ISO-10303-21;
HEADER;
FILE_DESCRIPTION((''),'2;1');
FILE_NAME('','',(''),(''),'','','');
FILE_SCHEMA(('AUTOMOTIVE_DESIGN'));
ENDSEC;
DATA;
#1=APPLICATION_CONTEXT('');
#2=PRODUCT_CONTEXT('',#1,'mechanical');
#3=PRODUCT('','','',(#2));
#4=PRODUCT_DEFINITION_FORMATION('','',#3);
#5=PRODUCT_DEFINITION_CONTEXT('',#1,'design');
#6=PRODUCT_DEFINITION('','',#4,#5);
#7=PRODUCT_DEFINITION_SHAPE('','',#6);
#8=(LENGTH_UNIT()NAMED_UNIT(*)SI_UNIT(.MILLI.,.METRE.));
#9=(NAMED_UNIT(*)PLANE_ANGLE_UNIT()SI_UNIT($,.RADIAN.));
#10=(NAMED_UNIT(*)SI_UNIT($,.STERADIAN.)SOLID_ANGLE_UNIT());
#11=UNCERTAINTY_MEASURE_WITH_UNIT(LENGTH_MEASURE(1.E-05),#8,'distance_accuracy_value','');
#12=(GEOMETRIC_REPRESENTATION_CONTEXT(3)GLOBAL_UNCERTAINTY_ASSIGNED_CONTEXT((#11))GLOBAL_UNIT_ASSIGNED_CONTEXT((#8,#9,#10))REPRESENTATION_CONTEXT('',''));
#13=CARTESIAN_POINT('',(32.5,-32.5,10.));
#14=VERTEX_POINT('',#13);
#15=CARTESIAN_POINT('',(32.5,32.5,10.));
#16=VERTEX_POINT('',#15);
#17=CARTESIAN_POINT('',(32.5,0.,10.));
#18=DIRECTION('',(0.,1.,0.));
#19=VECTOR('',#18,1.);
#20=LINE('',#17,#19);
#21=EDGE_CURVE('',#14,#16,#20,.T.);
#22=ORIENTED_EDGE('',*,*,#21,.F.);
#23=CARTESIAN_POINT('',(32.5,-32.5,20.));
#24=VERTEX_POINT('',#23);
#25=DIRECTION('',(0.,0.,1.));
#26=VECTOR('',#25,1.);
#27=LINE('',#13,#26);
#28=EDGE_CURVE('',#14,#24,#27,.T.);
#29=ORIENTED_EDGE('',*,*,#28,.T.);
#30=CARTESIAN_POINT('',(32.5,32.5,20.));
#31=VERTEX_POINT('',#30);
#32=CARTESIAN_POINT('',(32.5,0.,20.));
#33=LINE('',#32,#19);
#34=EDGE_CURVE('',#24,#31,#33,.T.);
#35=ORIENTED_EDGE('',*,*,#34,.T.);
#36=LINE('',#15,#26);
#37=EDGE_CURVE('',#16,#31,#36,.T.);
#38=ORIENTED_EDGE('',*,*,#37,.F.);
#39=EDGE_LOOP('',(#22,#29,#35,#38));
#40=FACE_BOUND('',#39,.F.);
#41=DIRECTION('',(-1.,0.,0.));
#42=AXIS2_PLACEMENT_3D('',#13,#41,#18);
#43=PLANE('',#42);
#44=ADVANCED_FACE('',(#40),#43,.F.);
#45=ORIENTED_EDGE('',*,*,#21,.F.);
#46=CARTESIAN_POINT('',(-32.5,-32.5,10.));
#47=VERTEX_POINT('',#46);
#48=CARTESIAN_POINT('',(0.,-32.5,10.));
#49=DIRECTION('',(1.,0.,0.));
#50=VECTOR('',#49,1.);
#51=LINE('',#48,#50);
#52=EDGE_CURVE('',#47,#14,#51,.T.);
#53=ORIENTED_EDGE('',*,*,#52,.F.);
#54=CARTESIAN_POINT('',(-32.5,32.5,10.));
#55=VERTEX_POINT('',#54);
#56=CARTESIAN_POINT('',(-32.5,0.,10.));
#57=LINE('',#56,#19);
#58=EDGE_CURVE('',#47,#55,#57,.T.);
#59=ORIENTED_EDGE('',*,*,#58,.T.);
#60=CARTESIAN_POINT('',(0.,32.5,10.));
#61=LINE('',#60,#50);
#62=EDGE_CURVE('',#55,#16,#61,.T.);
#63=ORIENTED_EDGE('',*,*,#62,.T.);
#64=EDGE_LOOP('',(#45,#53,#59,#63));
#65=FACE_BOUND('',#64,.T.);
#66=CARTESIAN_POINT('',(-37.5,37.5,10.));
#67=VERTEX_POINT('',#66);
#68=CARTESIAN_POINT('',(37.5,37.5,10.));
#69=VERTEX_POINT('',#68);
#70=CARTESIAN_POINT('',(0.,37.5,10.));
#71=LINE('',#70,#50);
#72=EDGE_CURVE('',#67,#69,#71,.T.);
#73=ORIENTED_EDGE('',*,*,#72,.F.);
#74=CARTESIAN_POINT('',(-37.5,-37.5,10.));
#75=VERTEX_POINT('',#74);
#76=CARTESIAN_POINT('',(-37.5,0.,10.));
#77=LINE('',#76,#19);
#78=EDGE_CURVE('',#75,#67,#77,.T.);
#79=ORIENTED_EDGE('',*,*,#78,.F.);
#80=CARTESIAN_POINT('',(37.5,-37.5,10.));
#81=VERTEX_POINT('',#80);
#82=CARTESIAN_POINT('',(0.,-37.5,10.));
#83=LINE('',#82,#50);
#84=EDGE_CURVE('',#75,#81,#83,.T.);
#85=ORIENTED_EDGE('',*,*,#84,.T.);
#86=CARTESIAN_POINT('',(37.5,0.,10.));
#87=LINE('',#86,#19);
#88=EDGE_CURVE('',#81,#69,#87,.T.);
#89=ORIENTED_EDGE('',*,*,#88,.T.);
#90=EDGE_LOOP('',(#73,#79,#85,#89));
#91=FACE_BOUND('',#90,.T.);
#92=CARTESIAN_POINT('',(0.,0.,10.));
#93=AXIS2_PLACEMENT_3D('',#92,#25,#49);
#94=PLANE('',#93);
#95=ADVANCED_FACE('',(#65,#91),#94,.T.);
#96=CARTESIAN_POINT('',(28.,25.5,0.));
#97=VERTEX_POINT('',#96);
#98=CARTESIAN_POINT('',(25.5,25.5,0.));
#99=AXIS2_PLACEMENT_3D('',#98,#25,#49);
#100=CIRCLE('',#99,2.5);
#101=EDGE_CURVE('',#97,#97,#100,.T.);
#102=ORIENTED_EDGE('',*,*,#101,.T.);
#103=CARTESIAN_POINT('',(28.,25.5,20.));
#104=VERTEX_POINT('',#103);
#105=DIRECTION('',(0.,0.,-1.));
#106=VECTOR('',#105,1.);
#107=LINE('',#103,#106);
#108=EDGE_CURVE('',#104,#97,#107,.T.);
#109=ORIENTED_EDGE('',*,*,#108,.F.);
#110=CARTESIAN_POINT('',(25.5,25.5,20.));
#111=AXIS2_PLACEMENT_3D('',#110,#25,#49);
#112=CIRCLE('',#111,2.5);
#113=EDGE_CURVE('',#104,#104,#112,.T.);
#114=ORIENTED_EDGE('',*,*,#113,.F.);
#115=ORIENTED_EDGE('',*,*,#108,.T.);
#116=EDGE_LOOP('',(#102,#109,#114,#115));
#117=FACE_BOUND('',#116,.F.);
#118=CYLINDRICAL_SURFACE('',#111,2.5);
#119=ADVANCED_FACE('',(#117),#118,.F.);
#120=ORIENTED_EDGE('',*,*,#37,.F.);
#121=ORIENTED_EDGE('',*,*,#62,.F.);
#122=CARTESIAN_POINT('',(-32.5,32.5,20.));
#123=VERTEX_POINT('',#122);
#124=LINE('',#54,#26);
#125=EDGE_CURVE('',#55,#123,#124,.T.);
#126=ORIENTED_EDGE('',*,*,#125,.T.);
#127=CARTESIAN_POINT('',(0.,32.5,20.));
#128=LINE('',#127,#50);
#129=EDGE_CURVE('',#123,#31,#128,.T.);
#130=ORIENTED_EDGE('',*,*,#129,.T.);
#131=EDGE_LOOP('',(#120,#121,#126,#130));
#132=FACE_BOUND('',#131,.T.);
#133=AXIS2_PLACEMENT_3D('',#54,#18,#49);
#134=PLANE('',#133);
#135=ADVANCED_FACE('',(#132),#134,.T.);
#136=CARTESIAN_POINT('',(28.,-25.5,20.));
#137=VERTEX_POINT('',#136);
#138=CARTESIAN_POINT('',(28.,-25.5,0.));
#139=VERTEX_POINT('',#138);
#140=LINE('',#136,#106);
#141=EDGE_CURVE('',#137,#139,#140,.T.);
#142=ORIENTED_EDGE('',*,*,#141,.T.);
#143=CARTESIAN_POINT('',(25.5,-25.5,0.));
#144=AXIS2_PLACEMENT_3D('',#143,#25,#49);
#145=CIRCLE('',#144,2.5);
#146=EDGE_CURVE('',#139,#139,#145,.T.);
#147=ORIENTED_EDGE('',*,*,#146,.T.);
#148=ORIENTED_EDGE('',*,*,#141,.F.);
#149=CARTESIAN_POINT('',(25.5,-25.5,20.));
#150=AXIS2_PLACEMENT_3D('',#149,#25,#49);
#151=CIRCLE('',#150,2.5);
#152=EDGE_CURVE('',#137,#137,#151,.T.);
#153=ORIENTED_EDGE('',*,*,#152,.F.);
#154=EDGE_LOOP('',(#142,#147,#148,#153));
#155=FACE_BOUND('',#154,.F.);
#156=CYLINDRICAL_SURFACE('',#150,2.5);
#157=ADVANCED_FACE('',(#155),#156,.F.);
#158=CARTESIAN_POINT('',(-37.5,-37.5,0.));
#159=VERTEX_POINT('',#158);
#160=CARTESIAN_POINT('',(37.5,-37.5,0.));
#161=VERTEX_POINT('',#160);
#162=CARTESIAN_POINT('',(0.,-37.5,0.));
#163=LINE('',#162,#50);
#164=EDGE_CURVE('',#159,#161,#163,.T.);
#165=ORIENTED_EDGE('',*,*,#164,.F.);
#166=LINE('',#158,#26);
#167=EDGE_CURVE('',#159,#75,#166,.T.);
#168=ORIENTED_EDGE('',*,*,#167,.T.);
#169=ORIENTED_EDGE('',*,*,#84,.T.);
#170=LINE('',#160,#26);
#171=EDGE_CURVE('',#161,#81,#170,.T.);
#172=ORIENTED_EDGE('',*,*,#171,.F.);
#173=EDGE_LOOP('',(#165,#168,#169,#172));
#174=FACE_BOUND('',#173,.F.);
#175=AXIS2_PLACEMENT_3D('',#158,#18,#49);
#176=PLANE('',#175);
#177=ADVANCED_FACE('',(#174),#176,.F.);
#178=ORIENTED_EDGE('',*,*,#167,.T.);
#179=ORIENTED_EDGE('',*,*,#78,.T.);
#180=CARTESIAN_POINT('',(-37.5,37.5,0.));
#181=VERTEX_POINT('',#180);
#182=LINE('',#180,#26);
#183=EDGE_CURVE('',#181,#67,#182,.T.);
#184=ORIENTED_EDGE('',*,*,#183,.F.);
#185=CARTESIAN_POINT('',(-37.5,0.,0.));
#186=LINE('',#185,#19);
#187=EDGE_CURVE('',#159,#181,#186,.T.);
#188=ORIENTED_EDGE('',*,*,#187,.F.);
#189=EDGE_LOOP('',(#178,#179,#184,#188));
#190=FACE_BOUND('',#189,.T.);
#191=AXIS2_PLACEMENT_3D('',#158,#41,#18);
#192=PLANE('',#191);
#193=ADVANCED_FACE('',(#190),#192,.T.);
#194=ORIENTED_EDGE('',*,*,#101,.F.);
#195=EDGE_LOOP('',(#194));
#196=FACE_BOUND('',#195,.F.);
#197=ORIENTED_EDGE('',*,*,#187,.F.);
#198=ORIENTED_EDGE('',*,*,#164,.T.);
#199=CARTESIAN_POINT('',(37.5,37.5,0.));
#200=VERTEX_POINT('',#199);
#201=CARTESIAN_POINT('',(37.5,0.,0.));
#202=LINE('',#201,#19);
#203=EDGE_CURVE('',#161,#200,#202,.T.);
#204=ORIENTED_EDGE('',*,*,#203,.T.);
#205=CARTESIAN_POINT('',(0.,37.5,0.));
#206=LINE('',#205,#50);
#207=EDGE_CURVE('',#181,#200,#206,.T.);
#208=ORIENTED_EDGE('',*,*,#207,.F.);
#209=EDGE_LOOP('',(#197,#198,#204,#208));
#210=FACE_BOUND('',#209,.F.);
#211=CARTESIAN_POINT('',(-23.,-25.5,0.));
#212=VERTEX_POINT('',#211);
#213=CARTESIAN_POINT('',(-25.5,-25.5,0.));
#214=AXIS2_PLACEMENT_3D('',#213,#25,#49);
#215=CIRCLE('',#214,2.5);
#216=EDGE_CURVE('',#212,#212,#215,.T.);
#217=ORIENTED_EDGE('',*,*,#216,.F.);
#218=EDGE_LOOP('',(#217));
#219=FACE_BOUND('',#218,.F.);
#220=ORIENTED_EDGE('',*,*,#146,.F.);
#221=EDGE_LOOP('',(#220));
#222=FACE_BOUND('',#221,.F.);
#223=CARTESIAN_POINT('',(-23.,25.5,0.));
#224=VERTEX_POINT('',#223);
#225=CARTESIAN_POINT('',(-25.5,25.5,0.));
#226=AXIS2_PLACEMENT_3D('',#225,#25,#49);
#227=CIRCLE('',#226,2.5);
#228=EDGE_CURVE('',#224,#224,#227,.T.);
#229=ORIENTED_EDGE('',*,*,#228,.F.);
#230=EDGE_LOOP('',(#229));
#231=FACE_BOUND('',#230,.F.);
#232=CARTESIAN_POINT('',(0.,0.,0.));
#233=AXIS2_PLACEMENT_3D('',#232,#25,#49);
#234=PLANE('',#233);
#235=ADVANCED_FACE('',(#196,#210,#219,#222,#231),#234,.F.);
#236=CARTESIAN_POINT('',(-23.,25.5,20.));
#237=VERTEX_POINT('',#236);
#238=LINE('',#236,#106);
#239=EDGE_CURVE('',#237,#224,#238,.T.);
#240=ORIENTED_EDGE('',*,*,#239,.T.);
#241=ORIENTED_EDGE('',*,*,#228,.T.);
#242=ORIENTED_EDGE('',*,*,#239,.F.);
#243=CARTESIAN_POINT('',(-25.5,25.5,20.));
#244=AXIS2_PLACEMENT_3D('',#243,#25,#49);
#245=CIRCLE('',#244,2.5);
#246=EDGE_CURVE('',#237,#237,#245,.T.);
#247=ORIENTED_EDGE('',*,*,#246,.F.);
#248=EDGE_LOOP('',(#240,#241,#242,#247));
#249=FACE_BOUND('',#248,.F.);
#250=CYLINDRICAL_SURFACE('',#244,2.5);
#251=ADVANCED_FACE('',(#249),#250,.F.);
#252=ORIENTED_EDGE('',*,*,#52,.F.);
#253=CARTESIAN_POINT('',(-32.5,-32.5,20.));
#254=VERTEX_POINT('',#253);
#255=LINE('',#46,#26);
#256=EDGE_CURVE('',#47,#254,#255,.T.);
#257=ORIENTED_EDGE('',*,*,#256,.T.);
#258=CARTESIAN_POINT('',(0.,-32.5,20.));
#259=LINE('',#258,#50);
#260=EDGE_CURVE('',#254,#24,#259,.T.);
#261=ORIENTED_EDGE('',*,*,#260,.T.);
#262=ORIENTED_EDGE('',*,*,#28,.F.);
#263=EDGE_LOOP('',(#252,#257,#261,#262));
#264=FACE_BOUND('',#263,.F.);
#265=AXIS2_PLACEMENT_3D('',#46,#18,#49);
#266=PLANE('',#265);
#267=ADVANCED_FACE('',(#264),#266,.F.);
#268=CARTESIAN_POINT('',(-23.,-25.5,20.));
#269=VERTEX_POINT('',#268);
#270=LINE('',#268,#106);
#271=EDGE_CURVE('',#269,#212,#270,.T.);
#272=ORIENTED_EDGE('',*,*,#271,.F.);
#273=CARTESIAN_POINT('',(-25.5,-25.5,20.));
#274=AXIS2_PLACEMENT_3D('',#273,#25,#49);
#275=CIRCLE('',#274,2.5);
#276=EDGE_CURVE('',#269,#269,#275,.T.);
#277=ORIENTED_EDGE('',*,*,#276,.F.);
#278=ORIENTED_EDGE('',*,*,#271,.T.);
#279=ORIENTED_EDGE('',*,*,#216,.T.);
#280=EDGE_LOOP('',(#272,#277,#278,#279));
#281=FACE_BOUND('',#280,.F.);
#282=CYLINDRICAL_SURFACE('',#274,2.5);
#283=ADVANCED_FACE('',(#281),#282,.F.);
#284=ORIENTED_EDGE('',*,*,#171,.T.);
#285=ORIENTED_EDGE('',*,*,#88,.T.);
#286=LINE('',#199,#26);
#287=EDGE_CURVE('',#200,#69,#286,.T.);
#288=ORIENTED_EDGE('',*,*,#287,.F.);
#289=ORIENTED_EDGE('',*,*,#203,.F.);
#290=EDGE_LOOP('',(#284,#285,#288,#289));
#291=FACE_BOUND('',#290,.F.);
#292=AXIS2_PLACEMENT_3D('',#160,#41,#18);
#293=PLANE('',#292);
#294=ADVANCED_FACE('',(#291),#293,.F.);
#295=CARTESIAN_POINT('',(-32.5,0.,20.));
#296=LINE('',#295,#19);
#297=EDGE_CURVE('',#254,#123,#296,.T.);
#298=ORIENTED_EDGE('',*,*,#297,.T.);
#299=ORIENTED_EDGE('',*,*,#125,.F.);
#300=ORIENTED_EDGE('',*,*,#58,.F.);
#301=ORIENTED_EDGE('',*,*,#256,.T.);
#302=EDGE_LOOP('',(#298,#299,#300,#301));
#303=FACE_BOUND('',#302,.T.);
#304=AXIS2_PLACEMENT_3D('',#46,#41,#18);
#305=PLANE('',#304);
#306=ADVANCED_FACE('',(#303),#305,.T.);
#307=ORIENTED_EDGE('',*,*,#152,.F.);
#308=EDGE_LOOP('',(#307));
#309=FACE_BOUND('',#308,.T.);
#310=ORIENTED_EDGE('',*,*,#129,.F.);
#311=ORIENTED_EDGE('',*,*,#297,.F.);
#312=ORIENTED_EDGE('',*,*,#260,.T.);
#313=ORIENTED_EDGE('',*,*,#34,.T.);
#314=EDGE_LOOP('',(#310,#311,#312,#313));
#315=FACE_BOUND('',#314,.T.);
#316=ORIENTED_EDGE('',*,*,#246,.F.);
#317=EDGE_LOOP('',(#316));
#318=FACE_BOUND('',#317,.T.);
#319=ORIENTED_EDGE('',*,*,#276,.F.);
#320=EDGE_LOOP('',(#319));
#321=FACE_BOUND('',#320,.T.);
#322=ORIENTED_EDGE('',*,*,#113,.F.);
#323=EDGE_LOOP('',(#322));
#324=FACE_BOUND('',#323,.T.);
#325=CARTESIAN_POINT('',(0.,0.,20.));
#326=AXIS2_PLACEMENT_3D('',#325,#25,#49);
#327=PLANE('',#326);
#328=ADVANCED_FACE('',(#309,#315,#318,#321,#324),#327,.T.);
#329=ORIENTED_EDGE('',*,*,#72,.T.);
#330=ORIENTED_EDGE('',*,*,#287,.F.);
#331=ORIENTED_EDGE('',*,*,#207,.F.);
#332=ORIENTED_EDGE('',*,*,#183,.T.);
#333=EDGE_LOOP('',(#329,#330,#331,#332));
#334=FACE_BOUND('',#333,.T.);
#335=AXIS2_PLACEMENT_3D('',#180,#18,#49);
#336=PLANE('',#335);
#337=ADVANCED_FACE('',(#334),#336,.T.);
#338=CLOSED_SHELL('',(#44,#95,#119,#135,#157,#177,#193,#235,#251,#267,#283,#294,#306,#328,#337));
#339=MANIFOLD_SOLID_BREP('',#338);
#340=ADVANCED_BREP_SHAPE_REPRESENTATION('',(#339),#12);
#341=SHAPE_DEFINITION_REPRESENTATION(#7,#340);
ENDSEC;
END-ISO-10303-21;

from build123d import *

# Parameters (mm, degrees)
F0_W     = 75
F0_H     = 75
F1_DEPTH = 10
F2_W     = 65
F2_H     = 65
F3_DEPTH = 10
F4_R     = 2.5
F5_DEPTH = 20.001


with BuildPart() as f1:
    # F0 (on Top) → F1 (new body)
    with BuildSketch(Plane.XY):
        Rectangle(F0_W, F0_H)
    extrude(amount=F1_DEPTH)

    # F2 (on face) → F3 (join)
    with BuildSketch(Plane.XY.offset(10)):
        Rectangle(F2_W, F2_H)
    extrude(amount=F3_DEPTH)

    # F4 (on face) → F5 (cut, through all)
    with BuildSketch(Plane.XY.offset(20)):
        with Locations((-25.5, 25.5)):
            Circle(F4_R)
        with Locations((25.5, 25.5)):
            Circle(F4_R)
        with Locations((25.5, -25.5)):
            Circle(F4_R)
        with Locations((-25.5, -25.5)):
            Circle(F4_R)
    extrude(amount=-F5_DEPTH, mode=Mode.SUBTRACT)


solid = f1.part
